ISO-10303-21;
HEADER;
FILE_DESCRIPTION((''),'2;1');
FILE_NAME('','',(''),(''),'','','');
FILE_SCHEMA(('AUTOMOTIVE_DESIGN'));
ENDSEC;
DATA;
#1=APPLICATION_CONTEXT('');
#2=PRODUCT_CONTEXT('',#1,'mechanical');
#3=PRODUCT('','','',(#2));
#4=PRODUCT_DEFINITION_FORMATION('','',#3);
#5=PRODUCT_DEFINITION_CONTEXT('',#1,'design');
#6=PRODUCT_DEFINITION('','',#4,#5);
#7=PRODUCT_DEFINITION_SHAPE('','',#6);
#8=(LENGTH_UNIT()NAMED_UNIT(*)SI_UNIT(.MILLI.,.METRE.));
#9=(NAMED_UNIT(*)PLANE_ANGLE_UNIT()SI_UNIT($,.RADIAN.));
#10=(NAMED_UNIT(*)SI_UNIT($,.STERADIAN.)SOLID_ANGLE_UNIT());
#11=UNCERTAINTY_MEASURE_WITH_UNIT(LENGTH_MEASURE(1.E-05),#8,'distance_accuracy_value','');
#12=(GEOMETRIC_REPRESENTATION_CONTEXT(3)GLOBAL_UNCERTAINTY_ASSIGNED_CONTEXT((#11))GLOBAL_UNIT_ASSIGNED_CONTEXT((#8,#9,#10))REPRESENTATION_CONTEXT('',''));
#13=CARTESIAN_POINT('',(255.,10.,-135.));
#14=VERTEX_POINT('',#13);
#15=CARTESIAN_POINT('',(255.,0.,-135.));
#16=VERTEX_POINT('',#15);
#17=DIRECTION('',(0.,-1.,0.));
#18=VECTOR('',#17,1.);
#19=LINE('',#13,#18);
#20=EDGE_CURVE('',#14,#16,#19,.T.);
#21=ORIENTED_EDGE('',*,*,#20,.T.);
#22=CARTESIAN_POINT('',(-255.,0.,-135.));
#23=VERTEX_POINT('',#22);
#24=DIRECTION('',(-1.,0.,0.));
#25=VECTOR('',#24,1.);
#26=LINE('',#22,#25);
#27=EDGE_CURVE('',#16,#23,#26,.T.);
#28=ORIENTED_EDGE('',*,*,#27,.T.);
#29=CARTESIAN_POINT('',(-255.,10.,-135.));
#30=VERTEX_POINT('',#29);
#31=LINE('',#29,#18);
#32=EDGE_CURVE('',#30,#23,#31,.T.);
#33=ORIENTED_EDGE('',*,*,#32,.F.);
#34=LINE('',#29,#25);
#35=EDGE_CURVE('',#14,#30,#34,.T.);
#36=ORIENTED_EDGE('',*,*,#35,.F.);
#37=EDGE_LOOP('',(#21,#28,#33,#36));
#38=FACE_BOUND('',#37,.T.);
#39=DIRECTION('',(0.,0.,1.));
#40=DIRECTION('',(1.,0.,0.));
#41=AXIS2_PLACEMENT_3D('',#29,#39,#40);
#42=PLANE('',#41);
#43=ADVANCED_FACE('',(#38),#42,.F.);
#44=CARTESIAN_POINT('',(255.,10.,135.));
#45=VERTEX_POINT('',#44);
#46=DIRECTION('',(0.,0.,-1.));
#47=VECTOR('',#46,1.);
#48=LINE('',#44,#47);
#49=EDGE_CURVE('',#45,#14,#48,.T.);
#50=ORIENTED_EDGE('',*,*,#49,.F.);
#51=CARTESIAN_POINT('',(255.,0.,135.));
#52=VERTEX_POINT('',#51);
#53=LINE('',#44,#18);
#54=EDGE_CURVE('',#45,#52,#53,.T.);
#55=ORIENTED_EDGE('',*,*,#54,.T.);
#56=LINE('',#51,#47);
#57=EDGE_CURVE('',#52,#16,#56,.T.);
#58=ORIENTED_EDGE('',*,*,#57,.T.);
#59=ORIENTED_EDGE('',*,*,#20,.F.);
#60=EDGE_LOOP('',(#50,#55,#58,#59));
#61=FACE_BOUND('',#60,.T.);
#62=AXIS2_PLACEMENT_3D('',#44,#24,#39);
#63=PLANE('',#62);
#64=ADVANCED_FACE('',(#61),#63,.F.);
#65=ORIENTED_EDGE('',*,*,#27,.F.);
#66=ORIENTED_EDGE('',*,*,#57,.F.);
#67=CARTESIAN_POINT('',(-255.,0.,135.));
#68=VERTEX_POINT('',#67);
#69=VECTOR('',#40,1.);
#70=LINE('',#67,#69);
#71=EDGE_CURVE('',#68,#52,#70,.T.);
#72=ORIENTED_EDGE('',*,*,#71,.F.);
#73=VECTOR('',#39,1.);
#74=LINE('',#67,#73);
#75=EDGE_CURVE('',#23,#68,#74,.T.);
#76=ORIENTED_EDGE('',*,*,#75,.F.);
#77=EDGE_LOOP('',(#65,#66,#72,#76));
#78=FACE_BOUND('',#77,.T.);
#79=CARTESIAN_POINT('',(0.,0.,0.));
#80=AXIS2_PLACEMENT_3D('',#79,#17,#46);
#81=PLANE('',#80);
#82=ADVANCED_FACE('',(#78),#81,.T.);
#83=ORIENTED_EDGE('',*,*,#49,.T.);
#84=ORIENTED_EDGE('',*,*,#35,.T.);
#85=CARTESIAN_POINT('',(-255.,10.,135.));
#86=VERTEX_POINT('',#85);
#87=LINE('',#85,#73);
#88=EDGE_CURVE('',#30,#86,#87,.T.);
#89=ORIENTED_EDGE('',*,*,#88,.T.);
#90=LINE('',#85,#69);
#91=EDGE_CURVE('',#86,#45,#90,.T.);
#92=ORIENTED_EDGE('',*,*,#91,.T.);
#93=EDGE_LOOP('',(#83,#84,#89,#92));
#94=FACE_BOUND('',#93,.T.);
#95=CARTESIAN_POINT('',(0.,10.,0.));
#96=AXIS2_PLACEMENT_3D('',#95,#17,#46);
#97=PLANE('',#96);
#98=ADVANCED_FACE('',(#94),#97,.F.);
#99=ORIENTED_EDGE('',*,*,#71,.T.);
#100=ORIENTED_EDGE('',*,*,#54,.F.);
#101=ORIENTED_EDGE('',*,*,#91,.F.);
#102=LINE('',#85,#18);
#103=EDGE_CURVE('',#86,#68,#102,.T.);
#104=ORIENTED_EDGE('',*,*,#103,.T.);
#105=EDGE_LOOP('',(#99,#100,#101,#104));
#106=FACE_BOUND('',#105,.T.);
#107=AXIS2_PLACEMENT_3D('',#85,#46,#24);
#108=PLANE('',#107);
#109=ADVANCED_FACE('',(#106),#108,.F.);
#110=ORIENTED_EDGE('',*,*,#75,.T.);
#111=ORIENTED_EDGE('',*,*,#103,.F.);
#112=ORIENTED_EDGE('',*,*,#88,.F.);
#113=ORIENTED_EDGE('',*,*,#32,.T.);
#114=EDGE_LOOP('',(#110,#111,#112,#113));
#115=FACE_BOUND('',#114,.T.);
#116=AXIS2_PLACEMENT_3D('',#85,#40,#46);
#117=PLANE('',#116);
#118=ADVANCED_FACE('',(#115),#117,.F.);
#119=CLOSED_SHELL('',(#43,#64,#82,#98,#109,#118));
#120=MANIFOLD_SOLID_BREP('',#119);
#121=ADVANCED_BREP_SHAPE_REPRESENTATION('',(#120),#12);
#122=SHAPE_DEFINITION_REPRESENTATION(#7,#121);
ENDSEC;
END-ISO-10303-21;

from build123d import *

# Parameters (mm, degrees)
SKETCH1_W           = 510
SKETCH1_H           = 270
BOSS_EXTRUDE1_DEPTH = 10


with BuildPart() as part:
    # Sketch1 → Boss-Extrude1 (new body)
    with BuildSketch(Plane(origin=(0, 0, 0), x_dir=(1, 0, 0), z_dir=(0, 1, 0))):
        Rectangle(SKETCH1_W, SKETCH1_H)
    extrude(amount=BOSS_EXTRUDE1_DEPTH)


solid = part.part
